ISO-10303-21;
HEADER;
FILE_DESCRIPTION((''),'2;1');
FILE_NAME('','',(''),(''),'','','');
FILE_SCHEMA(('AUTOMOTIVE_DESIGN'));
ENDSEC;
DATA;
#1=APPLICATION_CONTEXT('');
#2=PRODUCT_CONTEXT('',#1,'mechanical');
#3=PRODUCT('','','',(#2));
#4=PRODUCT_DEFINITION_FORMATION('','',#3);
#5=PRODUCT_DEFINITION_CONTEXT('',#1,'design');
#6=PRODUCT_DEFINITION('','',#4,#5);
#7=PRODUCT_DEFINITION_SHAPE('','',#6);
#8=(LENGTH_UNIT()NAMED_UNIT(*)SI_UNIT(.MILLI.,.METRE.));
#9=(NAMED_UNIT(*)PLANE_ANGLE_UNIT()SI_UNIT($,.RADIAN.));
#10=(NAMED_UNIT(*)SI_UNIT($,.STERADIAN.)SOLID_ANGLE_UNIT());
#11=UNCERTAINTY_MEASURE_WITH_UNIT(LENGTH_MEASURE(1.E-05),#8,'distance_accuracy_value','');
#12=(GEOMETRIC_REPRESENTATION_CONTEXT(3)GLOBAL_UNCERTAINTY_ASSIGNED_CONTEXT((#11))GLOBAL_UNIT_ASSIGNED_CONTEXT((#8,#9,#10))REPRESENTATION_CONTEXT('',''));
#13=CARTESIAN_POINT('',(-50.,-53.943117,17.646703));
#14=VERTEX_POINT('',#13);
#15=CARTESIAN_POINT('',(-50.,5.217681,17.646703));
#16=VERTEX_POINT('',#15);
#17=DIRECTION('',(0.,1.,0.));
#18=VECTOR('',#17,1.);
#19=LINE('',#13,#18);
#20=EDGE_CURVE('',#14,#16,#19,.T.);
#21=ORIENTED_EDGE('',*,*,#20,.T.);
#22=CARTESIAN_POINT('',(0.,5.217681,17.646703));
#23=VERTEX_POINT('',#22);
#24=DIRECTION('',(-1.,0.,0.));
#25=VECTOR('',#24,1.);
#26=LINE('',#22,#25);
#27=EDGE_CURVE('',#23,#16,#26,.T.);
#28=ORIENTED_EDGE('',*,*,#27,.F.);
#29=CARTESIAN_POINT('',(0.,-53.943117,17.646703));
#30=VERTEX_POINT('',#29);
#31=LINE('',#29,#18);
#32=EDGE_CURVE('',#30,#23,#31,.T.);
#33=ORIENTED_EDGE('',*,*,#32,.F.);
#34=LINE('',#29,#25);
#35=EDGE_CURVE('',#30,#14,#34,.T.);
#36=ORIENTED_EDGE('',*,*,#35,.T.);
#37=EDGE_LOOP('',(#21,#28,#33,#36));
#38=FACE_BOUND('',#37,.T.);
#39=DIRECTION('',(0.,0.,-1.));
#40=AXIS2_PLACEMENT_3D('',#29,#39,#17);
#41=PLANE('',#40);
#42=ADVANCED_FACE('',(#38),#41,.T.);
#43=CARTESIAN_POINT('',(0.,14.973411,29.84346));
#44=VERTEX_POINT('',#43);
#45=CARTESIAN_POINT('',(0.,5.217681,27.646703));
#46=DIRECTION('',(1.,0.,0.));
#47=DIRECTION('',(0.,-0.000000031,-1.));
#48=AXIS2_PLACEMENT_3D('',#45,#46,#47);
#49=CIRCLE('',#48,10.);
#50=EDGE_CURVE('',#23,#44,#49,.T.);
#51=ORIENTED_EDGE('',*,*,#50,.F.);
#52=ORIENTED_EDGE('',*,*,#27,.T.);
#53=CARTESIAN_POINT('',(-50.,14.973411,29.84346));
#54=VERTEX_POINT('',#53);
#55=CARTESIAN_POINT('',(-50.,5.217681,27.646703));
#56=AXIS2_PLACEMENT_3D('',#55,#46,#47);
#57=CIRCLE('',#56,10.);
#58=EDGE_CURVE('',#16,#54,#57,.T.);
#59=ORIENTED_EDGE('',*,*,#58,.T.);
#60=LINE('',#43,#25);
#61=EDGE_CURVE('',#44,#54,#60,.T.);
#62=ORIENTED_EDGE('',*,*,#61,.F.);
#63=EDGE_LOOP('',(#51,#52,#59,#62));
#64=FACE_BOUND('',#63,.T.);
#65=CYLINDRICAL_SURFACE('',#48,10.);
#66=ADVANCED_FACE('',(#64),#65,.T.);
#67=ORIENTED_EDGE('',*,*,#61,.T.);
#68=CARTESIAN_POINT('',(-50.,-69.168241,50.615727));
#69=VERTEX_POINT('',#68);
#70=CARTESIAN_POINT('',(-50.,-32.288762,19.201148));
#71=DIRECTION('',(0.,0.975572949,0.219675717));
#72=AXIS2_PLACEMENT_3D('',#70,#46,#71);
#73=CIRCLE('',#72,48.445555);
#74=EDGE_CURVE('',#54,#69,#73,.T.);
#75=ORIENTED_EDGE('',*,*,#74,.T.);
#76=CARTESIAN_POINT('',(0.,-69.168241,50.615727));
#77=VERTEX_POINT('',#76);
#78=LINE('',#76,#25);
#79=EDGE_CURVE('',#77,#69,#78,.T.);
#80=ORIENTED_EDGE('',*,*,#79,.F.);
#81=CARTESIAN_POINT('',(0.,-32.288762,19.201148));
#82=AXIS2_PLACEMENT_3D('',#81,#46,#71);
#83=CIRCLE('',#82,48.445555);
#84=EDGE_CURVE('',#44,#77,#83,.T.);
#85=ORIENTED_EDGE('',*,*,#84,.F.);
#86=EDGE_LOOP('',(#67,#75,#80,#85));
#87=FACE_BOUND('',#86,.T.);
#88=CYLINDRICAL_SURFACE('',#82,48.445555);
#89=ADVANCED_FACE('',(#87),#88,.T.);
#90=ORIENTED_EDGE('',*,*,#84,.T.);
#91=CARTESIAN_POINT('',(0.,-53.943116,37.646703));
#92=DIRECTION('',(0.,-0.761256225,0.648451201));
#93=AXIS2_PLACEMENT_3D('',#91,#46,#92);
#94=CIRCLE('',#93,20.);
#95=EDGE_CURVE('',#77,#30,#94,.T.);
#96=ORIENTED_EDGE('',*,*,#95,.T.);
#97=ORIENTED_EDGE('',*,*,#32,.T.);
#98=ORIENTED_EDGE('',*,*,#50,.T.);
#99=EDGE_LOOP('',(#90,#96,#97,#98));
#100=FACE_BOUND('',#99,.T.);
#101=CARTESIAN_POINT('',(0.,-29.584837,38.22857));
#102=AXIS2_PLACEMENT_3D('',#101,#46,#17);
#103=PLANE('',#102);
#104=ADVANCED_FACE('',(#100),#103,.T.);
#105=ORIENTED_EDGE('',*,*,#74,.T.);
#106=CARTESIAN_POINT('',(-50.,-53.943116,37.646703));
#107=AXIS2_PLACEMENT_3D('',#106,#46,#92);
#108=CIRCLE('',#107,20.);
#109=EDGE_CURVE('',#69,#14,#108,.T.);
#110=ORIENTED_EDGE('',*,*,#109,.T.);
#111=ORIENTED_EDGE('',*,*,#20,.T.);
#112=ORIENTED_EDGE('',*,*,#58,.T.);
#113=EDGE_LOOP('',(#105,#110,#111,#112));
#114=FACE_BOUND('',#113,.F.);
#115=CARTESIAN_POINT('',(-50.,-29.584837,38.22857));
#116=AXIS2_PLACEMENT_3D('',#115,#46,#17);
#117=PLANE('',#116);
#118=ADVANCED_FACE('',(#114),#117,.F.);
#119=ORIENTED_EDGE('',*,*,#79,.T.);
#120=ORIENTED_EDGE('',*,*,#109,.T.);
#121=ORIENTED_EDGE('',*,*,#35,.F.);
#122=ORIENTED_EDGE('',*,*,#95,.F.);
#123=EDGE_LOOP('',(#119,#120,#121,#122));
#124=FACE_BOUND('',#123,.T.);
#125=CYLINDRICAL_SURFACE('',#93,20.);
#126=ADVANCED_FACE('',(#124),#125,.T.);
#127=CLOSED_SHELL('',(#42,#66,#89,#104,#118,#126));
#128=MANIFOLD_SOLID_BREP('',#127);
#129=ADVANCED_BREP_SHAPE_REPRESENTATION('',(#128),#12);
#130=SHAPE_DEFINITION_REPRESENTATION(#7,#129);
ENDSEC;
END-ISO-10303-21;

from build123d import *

# Parameters (mm, degrees)
F1_DEPTH = 50


with BuildPart() as f1:
    # F0 (on Right) → F1 (new body)
    with BuildSketch(Plane.YZ):
        with BuildLine():
            ThreePointArc((-69.168241, 50.615727), (-72.100491, 29.261612), (-53.943117, 17.646703))
            Line((-53.943117, 17.646703), (5.217681, 17.646703))
            ThreePointArc((5.217681, 17.646703), (13.026893, 21.400407), (14.973411, 29.84346))
            ThreePointArc((14.973411, 29.84346), (-20.677481, 66.234646), (-69.168241, 50.615727))
        make_face()
    extrude(amount=-F1_DEPTH)


solid = f1.part
